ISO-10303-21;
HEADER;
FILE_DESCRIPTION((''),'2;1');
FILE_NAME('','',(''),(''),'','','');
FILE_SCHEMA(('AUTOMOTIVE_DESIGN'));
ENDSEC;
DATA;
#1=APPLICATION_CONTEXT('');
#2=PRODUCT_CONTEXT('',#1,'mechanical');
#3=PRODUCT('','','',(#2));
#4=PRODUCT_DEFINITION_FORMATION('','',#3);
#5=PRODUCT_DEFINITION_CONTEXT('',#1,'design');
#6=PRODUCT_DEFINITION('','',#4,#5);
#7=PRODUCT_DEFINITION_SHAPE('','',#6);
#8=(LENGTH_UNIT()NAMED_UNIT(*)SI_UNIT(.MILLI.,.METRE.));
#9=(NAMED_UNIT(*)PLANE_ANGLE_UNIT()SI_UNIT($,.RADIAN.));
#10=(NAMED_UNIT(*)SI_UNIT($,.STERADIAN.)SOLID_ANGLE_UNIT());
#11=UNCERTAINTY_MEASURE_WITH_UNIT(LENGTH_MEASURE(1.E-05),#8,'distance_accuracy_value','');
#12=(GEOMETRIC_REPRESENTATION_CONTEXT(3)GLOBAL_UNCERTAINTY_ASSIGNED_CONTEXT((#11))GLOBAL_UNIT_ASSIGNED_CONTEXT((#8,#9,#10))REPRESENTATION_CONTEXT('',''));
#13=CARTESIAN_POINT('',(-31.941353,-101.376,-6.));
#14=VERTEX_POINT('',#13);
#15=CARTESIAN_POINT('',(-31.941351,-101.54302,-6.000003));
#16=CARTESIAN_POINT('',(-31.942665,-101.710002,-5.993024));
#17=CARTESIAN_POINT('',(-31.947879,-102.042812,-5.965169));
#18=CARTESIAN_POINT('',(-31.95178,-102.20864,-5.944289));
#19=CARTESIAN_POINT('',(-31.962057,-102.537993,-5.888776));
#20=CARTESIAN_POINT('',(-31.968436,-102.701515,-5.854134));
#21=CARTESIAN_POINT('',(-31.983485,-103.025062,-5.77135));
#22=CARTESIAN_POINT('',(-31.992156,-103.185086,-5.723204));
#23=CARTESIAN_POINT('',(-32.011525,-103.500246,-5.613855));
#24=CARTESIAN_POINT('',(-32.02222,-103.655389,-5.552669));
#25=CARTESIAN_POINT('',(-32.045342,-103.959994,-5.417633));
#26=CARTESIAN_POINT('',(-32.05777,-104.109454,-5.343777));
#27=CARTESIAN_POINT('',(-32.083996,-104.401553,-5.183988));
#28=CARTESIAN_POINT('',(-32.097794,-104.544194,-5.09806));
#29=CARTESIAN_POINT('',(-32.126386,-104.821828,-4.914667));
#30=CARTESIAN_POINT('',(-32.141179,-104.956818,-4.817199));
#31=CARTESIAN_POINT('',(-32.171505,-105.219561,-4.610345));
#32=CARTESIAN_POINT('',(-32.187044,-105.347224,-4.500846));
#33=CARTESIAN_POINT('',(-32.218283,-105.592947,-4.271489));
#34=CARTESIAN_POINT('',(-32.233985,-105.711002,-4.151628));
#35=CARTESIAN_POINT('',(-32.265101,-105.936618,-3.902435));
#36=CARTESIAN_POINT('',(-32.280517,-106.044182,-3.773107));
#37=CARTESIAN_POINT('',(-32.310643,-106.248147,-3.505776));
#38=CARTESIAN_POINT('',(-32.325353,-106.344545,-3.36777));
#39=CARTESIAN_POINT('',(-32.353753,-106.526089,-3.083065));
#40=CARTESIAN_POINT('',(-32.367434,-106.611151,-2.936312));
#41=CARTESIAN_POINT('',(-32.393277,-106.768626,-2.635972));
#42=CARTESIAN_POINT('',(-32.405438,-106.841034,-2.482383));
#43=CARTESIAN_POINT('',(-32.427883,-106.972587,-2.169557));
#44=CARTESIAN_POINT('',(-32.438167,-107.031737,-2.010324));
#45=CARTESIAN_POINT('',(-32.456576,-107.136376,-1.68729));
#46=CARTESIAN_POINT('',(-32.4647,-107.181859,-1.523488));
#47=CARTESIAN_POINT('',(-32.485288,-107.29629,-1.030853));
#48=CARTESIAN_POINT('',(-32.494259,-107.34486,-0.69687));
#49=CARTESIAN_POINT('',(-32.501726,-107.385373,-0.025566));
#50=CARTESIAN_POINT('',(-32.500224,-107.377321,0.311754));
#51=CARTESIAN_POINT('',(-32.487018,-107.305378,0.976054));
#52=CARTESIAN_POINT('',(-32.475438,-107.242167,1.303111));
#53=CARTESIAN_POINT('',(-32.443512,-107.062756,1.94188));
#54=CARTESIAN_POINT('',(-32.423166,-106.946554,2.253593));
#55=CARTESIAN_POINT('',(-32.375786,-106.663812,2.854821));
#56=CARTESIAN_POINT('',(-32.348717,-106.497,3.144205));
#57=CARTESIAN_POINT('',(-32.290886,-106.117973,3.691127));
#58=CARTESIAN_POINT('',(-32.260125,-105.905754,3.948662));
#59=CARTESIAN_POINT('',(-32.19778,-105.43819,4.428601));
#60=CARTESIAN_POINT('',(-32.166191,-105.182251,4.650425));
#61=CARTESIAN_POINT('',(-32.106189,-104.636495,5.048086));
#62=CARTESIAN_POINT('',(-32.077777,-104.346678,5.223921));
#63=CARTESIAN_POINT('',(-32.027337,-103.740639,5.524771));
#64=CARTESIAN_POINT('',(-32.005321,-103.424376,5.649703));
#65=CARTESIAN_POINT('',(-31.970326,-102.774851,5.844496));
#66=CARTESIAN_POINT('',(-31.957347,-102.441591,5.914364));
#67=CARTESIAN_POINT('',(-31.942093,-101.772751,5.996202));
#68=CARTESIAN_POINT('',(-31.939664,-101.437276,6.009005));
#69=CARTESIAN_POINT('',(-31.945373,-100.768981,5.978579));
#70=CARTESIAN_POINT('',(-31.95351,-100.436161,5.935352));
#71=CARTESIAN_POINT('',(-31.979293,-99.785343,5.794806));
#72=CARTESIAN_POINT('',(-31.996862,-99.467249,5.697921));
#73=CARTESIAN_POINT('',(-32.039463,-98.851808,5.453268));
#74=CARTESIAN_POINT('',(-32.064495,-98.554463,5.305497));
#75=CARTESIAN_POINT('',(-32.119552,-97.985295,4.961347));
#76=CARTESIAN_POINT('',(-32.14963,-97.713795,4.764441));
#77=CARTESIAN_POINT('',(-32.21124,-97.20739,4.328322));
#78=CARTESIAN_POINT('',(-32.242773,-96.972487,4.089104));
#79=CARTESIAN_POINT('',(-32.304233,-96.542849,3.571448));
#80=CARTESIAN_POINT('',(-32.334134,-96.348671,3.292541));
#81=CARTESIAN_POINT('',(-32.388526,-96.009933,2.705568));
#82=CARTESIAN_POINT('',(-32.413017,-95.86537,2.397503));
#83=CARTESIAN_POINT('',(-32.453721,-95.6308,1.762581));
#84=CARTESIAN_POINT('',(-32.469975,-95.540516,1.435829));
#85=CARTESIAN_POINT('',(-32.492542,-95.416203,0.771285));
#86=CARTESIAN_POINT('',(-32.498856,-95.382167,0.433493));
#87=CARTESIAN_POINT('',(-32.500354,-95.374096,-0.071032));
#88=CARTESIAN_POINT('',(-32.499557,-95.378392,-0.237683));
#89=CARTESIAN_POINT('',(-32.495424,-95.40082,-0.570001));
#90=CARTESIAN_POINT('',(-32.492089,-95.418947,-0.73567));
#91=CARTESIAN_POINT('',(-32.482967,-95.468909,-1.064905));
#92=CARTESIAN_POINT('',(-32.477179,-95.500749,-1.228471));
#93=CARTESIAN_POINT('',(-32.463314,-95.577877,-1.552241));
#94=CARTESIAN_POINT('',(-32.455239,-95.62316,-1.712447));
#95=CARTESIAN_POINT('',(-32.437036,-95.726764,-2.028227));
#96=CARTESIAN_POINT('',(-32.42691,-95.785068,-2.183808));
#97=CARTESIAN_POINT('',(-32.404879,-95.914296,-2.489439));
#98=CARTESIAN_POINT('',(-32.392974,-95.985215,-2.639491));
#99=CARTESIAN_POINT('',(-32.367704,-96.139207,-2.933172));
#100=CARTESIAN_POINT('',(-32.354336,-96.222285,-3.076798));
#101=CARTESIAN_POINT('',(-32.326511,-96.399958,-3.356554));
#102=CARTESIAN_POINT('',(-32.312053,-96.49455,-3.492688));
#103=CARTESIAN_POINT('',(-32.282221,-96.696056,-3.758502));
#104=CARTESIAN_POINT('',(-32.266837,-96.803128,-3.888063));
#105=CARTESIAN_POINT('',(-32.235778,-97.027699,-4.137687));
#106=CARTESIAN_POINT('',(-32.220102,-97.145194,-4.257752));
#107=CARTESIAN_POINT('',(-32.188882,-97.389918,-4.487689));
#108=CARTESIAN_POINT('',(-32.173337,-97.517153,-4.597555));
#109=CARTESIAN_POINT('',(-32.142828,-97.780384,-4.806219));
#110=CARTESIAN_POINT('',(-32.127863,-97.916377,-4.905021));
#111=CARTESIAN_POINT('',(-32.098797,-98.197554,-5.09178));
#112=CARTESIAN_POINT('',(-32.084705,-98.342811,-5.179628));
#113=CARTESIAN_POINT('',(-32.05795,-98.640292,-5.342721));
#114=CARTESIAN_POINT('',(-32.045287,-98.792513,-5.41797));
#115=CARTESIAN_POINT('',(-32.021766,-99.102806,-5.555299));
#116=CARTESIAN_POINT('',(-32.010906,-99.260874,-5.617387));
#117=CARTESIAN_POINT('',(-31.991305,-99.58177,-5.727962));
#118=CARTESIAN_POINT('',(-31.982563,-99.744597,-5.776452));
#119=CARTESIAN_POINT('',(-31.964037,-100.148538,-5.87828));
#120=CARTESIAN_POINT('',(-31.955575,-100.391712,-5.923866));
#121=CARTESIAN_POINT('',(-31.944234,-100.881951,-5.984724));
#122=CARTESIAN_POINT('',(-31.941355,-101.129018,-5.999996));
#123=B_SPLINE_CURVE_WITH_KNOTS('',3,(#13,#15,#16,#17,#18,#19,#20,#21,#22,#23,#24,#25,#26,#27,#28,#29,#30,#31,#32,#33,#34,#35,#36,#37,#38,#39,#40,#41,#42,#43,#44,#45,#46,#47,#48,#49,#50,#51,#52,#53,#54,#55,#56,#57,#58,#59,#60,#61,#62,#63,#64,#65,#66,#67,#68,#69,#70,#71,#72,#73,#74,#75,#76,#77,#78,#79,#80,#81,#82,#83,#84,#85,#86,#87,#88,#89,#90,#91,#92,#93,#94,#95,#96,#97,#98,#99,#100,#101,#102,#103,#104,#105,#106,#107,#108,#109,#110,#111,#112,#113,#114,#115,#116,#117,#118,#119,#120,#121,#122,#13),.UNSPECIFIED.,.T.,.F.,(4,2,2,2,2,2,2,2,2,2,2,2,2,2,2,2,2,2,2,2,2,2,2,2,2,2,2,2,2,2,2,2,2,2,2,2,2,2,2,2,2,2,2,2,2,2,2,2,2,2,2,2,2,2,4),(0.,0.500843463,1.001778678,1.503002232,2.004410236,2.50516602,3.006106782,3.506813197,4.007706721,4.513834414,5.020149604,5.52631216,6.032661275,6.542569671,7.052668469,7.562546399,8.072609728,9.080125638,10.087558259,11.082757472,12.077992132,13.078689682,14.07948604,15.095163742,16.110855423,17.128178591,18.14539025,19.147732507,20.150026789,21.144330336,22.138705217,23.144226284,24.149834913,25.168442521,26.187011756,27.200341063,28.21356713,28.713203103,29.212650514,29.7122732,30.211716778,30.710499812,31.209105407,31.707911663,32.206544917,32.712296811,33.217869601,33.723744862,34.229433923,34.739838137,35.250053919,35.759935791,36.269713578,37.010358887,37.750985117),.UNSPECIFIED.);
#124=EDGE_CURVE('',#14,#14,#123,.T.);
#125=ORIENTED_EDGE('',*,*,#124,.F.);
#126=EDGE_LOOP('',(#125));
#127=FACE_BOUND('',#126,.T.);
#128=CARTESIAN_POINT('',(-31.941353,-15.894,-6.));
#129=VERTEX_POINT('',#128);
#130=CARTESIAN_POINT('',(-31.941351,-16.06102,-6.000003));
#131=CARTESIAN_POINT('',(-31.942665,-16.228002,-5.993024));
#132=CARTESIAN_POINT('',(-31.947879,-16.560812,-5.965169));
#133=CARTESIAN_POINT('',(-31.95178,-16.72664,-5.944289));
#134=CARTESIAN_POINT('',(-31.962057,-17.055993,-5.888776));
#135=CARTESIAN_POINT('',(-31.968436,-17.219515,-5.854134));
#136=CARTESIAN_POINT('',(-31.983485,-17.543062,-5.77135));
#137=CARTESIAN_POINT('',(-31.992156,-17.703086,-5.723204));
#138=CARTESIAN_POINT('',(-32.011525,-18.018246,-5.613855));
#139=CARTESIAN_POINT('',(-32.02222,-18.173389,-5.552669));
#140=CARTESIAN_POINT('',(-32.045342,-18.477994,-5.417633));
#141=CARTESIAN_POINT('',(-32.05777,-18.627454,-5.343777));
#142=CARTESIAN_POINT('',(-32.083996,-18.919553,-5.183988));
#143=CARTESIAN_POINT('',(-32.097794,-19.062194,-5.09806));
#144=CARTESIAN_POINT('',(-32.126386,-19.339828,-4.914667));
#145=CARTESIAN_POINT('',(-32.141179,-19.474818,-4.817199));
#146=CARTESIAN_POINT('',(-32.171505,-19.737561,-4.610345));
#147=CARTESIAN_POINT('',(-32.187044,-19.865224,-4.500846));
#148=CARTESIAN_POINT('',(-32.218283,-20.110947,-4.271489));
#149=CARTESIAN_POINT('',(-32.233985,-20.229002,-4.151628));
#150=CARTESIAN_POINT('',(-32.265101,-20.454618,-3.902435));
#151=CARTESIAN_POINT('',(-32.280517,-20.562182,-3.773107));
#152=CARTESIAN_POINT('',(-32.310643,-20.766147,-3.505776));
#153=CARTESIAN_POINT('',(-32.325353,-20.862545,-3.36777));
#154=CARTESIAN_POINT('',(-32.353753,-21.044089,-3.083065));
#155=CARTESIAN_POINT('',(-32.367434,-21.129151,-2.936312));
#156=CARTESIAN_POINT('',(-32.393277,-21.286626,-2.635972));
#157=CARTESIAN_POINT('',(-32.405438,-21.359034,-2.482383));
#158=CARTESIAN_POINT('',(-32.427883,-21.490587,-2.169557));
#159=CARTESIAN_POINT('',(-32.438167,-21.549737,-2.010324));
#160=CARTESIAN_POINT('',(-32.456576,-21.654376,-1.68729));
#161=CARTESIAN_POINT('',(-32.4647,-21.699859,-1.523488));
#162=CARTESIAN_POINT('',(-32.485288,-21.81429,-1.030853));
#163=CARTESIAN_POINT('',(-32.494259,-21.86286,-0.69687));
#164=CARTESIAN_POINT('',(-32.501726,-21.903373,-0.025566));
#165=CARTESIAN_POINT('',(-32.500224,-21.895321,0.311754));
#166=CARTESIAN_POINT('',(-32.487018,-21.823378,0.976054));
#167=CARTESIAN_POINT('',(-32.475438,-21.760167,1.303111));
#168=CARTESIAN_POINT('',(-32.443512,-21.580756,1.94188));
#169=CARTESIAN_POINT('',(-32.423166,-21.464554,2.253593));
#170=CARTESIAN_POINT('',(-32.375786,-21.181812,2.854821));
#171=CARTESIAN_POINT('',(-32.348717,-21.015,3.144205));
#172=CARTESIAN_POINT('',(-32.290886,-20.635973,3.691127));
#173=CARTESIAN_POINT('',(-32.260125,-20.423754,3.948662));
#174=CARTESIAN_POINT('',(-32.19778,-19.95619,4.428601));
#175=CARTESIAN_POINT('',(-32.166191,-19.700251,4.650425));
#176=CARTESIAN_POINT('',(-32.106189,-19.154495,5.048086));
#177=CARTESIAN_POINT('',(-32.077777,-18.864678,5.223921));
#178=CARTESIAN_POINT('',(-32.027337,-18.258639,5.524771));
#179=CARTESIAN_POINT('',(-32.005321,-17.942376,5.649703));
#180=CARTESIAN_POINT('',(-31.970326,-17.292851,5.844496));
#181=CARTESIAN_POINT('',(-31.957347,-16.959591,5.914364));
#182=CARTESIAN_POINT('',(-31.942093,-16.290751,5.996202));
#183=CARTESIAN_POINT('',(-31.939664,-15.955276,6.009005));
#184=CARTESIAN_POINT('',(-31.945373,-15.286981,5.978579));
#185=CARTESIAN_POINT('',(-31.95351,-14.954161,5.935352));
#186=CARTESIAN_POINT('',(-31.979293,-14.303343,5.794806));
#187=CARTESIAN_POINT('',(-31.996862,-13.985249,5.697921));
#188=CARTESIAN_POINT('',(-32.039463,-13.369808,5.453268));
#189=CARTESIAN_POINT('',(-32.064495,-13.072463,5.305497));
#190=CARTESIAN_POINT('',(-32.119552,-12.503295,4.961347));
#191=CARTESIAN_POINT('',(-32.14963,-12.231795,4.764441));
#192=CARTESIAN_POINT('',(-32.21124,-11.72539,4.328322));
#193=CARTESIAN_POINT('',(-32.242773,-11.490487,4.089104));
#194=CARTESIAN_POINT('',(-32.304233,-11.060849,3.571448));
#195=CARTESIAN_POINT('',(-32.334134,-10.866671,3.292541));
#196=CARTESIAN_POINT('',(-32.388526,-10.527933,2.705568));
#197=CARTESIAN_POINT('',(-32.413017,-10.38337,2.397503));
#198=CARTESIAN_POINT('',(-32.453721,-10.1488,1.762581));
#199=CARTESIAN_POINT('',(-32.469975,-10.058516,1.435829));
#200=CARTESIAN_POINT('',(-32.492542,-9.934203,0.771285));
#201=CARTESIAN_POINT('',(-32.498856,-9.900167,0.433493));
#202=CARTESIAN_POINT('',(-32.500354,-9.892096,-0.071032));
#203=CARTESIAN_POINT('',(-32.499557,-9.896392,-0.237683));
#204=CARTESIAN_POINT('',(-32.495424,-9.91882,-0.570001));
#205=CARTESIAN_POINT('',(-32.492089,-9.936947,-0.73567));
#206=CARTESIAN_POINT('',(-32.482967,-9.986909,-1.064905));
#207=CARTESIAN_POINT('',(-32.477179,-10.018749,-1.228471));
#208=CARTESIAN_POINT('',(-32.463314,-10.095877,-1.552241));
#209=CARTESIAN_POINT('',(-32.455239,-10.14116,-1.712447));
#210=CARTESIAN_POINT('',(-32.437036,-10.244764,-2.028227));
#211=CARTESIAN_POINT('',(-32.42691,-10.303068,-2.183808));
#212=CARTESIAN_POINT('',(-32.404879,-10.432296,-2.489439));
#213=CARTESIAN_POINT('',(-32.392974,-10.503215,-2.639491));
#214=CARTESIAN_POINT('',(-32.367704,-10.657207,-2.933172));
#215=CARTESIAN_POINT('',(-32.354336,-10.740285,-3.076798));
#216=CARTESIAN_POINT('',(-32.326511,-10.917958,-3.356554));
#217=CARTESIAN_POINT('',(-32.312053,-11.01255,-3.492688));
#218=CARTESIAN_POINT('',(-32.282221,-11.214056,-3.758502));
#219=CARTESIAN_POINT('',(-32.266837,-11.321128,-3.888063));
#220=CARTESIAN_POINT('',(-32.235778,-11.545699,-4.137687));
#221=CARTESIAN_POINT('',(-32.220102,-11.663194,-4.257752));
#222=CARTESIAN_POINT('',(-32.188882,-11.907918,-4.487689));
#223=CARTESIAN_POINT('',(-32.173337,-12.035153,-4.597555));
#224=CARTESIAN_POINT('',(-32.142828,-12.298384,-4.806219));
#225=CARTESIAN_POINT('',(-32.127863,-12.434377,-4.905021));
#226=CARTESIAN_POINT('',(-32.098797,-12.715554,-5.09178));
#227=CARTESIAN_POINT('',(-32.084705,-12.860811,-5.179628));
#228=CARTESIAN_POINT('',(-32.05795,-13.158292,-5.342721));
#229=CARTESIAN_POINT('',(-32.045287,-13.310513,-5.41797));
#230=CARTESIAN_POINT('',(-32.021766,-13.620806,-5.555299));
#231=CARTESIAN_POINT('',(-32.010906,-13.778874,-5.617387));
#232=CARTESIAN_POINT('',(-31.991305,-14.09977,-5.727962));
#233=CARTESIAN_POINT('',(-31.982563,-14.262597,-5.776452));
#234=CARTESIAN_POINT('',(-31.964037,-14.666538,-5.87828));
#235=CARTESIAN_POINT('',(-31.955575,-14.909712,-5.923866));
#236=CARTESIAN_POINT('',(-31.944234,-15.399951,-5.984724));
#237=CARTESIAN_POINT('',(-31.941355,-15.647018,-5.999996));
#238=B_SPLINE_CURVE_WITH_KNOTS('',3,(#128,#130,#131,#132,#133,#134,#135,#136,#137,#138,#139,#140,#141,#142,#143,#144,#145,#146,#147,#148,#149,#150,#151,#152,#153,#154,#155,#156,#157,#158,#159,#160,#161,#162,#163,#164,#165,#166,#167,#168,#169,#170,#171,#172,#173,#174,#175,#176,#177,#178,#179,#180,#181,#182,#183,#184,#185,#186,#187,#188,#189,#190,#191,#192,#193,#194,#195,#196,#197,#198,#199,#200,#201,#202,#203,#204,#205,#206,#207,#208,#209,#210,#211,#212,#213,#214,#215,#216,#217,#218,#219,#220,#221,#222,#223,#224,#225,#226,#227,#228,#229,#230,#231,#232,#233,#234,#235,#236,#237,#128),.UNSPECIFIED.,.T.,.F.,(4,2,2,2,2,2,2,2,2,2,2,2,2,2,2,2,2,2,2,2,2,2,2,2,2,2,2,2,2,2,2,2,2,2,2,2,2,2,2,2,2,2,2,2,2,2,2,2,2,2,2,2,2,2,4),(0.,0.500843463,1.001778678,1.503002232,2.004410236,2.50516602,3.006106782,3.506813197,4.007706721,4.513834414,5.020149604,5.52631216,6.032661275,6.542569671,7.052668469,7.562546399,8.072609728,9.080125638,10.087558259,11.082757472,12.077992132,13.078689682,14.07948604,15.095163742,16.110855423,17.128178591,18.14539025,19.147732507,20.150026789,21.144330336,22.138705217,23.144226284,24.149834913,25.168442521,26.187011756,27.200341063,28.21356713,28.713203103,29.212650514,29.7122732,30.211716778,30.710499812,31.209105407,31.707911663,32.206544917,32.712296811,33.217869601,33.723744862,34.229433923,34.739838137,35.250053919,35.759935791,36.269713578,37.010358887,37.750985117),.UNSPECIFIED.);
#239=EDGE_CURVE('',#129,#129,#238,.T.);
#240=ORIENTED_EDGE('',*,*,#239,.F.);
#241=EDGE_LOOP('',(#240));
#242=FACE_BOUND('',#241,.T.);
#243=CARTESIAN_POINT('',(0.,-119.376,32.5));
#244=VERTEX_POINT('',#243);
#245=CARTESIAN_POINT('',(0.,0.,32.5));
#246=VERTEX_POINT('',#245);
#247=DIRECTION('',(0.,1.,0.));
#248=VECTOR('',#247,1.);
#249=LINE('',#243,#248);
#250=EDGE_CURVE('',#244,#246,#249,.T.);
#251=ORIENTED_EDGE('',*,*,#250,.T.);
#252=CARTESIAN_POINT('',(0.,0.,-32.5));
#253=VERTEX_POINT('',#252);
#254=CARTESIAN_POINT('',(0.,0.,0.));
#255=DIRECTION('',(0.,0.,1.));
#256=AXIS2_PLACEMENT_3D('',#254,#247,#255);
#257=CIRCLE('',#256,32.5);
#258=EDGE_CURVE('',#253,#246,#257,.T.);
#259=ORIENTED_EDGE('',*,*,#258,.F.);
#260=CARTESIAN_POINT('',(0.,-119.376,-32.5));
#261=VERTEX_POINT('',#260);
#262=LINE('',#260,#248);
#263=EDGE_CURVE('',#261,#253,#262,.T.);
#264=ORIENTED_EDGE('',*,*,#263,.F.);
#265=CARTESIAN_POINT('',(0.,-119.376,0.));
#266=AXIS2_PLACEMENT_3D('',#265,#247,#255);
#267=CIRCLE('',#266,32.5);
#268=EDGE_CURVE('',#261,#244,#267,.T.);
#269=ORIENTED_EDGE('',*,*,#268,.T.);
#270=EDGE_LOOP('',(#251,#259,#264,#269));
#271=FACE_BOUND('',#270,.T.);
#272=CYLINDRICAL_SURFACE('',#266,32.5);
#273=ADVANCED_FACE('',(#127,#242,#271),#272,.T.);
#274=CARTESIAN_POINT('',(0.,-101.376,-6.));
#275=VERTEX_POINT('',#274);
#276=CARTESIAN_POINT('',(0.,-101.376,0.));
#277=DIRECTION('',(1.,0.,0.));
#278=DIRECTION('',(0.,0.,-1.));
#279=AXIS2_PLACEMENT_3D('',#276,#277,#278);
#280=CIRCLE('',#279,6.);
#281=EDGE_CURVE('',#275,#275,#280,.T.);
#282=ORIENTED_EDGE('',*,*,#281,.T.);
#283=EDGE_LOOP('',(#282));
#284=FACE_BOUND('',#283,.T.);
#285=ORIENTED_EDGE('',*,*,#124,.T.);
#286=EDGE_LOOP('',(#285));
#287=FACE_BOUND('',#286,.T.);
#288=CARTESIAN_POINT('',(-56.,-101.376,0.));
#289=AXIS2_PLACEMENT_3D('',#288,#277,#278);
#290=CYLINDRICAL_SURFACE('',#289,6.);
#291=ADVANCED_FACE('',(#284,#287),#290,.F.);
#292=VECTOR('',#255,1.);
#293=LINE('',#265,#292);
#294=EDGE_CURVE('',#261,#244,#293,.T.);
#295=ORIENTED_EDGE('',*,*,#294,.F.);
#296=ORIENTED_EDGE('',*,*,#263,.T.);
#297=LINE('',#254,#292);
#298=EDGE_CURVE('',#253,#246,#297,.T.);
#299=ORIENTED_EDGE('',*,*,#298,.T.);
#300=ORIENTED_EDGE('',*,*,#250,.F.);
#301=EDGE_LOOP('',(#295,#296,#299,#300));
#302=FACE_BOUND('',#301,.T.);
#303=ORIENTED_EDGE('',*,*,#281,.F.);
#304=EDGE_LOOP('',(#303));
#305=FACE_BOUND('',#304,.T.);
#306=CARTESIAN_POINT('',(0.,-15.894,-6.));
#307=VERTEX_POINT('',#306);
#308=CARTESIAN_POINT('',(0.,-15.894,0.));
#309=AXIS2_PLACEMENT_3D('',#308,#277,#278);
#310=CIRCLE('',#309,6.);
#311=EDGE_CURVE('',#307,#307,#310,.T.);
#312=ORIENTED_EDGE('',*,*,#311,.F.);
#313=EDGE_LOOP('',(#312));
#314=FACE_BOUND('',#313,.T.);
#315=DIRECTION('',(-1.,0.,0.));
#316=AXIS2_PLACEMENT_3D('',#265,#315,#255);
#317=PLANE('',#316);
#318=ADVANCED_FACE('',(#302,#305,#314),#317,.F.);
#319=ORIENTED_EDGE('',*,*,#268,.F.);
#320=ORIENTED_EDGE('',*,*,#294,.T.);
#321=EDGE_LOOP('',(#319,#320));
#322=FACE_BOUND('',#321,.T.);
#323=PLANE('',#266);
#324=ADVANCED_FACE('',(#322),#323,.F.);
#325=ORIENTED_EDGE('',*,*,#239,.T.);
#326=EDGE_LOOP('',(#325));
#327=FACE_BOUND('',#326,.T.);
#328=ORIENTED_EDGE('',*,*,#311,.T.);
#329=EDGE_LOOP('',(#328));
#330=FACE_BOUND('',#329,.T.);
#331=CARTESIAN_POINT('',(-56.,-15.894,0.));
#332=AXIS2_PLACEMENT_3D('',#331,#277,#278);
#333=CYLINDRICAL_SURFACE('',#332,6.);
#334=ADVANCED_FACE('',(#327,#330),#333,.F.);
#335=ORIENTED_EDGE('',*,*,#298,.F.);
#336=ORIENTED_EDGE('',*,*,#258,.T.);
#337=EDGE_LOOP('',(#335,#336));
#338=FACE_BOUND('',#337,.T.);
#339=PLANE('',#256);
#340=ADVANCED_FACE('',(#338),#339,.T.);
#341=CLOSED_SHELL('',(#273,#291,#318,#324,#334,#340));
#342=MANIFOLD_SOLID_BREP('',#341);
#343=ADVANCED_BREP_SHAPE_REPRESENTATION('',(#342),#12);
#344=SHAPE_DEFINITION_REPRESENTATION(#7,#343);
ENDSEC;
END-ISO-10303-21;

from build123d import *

# Parameters (mm, degrees)
BOSS_EXTRUDE1_DEPTH = 119.376
SKETCH2_R           = 6
CUT_EXTRUDE1_DEPTH  = 56
SKETCH3_R           = 6
CUT_EXTRUDE2_DEPTH  = 56


with BuildPart() as part:
    # Sketch1 → Boss-Extrude1 (new body)
    with BuildSketch(Plane(origin=(0, 0, 0), x_dir=(1, 0, 0), z_dir=(0, 1, 0))):
        with BuildLine():
            Line((0, -32.5), (0, 32.5))
            ThreePointArc((0, 32.5), (-32.5, 0), (0, -32.5))
        make_face()
    extrude(amount=-BOSS_EXTRUDE1_DEPTH)

    # Sketch2 → Cut-Extrude1 (cut)
    with BuildSketch(Plane(origin=(0, 0, 0), x_dir=(0, 0, -1), z_dir=(1, 0, 0))):
        with Locations((0, -15.894)):
            Circle(SKETCH2_R)
    extrude(amount=-CUT_EXTRUDE1_DEPTH, mode=Mode.SUBTRACT)

    # Sketch3 → Cut-Extrude2 (cut)
    with BuildSketch(Plane(origin=(0, 0, 0), x_dir=(0, 0, -1), z_dir=(1, 0, 0))):
        with Locations((0, -101.376)):
            Circle(SKETCH3_R)
    extrude(amount=-CUT_EXTRUDE2_DEPTH, mode=Mode.SUBTRACT)


solid = part.part
